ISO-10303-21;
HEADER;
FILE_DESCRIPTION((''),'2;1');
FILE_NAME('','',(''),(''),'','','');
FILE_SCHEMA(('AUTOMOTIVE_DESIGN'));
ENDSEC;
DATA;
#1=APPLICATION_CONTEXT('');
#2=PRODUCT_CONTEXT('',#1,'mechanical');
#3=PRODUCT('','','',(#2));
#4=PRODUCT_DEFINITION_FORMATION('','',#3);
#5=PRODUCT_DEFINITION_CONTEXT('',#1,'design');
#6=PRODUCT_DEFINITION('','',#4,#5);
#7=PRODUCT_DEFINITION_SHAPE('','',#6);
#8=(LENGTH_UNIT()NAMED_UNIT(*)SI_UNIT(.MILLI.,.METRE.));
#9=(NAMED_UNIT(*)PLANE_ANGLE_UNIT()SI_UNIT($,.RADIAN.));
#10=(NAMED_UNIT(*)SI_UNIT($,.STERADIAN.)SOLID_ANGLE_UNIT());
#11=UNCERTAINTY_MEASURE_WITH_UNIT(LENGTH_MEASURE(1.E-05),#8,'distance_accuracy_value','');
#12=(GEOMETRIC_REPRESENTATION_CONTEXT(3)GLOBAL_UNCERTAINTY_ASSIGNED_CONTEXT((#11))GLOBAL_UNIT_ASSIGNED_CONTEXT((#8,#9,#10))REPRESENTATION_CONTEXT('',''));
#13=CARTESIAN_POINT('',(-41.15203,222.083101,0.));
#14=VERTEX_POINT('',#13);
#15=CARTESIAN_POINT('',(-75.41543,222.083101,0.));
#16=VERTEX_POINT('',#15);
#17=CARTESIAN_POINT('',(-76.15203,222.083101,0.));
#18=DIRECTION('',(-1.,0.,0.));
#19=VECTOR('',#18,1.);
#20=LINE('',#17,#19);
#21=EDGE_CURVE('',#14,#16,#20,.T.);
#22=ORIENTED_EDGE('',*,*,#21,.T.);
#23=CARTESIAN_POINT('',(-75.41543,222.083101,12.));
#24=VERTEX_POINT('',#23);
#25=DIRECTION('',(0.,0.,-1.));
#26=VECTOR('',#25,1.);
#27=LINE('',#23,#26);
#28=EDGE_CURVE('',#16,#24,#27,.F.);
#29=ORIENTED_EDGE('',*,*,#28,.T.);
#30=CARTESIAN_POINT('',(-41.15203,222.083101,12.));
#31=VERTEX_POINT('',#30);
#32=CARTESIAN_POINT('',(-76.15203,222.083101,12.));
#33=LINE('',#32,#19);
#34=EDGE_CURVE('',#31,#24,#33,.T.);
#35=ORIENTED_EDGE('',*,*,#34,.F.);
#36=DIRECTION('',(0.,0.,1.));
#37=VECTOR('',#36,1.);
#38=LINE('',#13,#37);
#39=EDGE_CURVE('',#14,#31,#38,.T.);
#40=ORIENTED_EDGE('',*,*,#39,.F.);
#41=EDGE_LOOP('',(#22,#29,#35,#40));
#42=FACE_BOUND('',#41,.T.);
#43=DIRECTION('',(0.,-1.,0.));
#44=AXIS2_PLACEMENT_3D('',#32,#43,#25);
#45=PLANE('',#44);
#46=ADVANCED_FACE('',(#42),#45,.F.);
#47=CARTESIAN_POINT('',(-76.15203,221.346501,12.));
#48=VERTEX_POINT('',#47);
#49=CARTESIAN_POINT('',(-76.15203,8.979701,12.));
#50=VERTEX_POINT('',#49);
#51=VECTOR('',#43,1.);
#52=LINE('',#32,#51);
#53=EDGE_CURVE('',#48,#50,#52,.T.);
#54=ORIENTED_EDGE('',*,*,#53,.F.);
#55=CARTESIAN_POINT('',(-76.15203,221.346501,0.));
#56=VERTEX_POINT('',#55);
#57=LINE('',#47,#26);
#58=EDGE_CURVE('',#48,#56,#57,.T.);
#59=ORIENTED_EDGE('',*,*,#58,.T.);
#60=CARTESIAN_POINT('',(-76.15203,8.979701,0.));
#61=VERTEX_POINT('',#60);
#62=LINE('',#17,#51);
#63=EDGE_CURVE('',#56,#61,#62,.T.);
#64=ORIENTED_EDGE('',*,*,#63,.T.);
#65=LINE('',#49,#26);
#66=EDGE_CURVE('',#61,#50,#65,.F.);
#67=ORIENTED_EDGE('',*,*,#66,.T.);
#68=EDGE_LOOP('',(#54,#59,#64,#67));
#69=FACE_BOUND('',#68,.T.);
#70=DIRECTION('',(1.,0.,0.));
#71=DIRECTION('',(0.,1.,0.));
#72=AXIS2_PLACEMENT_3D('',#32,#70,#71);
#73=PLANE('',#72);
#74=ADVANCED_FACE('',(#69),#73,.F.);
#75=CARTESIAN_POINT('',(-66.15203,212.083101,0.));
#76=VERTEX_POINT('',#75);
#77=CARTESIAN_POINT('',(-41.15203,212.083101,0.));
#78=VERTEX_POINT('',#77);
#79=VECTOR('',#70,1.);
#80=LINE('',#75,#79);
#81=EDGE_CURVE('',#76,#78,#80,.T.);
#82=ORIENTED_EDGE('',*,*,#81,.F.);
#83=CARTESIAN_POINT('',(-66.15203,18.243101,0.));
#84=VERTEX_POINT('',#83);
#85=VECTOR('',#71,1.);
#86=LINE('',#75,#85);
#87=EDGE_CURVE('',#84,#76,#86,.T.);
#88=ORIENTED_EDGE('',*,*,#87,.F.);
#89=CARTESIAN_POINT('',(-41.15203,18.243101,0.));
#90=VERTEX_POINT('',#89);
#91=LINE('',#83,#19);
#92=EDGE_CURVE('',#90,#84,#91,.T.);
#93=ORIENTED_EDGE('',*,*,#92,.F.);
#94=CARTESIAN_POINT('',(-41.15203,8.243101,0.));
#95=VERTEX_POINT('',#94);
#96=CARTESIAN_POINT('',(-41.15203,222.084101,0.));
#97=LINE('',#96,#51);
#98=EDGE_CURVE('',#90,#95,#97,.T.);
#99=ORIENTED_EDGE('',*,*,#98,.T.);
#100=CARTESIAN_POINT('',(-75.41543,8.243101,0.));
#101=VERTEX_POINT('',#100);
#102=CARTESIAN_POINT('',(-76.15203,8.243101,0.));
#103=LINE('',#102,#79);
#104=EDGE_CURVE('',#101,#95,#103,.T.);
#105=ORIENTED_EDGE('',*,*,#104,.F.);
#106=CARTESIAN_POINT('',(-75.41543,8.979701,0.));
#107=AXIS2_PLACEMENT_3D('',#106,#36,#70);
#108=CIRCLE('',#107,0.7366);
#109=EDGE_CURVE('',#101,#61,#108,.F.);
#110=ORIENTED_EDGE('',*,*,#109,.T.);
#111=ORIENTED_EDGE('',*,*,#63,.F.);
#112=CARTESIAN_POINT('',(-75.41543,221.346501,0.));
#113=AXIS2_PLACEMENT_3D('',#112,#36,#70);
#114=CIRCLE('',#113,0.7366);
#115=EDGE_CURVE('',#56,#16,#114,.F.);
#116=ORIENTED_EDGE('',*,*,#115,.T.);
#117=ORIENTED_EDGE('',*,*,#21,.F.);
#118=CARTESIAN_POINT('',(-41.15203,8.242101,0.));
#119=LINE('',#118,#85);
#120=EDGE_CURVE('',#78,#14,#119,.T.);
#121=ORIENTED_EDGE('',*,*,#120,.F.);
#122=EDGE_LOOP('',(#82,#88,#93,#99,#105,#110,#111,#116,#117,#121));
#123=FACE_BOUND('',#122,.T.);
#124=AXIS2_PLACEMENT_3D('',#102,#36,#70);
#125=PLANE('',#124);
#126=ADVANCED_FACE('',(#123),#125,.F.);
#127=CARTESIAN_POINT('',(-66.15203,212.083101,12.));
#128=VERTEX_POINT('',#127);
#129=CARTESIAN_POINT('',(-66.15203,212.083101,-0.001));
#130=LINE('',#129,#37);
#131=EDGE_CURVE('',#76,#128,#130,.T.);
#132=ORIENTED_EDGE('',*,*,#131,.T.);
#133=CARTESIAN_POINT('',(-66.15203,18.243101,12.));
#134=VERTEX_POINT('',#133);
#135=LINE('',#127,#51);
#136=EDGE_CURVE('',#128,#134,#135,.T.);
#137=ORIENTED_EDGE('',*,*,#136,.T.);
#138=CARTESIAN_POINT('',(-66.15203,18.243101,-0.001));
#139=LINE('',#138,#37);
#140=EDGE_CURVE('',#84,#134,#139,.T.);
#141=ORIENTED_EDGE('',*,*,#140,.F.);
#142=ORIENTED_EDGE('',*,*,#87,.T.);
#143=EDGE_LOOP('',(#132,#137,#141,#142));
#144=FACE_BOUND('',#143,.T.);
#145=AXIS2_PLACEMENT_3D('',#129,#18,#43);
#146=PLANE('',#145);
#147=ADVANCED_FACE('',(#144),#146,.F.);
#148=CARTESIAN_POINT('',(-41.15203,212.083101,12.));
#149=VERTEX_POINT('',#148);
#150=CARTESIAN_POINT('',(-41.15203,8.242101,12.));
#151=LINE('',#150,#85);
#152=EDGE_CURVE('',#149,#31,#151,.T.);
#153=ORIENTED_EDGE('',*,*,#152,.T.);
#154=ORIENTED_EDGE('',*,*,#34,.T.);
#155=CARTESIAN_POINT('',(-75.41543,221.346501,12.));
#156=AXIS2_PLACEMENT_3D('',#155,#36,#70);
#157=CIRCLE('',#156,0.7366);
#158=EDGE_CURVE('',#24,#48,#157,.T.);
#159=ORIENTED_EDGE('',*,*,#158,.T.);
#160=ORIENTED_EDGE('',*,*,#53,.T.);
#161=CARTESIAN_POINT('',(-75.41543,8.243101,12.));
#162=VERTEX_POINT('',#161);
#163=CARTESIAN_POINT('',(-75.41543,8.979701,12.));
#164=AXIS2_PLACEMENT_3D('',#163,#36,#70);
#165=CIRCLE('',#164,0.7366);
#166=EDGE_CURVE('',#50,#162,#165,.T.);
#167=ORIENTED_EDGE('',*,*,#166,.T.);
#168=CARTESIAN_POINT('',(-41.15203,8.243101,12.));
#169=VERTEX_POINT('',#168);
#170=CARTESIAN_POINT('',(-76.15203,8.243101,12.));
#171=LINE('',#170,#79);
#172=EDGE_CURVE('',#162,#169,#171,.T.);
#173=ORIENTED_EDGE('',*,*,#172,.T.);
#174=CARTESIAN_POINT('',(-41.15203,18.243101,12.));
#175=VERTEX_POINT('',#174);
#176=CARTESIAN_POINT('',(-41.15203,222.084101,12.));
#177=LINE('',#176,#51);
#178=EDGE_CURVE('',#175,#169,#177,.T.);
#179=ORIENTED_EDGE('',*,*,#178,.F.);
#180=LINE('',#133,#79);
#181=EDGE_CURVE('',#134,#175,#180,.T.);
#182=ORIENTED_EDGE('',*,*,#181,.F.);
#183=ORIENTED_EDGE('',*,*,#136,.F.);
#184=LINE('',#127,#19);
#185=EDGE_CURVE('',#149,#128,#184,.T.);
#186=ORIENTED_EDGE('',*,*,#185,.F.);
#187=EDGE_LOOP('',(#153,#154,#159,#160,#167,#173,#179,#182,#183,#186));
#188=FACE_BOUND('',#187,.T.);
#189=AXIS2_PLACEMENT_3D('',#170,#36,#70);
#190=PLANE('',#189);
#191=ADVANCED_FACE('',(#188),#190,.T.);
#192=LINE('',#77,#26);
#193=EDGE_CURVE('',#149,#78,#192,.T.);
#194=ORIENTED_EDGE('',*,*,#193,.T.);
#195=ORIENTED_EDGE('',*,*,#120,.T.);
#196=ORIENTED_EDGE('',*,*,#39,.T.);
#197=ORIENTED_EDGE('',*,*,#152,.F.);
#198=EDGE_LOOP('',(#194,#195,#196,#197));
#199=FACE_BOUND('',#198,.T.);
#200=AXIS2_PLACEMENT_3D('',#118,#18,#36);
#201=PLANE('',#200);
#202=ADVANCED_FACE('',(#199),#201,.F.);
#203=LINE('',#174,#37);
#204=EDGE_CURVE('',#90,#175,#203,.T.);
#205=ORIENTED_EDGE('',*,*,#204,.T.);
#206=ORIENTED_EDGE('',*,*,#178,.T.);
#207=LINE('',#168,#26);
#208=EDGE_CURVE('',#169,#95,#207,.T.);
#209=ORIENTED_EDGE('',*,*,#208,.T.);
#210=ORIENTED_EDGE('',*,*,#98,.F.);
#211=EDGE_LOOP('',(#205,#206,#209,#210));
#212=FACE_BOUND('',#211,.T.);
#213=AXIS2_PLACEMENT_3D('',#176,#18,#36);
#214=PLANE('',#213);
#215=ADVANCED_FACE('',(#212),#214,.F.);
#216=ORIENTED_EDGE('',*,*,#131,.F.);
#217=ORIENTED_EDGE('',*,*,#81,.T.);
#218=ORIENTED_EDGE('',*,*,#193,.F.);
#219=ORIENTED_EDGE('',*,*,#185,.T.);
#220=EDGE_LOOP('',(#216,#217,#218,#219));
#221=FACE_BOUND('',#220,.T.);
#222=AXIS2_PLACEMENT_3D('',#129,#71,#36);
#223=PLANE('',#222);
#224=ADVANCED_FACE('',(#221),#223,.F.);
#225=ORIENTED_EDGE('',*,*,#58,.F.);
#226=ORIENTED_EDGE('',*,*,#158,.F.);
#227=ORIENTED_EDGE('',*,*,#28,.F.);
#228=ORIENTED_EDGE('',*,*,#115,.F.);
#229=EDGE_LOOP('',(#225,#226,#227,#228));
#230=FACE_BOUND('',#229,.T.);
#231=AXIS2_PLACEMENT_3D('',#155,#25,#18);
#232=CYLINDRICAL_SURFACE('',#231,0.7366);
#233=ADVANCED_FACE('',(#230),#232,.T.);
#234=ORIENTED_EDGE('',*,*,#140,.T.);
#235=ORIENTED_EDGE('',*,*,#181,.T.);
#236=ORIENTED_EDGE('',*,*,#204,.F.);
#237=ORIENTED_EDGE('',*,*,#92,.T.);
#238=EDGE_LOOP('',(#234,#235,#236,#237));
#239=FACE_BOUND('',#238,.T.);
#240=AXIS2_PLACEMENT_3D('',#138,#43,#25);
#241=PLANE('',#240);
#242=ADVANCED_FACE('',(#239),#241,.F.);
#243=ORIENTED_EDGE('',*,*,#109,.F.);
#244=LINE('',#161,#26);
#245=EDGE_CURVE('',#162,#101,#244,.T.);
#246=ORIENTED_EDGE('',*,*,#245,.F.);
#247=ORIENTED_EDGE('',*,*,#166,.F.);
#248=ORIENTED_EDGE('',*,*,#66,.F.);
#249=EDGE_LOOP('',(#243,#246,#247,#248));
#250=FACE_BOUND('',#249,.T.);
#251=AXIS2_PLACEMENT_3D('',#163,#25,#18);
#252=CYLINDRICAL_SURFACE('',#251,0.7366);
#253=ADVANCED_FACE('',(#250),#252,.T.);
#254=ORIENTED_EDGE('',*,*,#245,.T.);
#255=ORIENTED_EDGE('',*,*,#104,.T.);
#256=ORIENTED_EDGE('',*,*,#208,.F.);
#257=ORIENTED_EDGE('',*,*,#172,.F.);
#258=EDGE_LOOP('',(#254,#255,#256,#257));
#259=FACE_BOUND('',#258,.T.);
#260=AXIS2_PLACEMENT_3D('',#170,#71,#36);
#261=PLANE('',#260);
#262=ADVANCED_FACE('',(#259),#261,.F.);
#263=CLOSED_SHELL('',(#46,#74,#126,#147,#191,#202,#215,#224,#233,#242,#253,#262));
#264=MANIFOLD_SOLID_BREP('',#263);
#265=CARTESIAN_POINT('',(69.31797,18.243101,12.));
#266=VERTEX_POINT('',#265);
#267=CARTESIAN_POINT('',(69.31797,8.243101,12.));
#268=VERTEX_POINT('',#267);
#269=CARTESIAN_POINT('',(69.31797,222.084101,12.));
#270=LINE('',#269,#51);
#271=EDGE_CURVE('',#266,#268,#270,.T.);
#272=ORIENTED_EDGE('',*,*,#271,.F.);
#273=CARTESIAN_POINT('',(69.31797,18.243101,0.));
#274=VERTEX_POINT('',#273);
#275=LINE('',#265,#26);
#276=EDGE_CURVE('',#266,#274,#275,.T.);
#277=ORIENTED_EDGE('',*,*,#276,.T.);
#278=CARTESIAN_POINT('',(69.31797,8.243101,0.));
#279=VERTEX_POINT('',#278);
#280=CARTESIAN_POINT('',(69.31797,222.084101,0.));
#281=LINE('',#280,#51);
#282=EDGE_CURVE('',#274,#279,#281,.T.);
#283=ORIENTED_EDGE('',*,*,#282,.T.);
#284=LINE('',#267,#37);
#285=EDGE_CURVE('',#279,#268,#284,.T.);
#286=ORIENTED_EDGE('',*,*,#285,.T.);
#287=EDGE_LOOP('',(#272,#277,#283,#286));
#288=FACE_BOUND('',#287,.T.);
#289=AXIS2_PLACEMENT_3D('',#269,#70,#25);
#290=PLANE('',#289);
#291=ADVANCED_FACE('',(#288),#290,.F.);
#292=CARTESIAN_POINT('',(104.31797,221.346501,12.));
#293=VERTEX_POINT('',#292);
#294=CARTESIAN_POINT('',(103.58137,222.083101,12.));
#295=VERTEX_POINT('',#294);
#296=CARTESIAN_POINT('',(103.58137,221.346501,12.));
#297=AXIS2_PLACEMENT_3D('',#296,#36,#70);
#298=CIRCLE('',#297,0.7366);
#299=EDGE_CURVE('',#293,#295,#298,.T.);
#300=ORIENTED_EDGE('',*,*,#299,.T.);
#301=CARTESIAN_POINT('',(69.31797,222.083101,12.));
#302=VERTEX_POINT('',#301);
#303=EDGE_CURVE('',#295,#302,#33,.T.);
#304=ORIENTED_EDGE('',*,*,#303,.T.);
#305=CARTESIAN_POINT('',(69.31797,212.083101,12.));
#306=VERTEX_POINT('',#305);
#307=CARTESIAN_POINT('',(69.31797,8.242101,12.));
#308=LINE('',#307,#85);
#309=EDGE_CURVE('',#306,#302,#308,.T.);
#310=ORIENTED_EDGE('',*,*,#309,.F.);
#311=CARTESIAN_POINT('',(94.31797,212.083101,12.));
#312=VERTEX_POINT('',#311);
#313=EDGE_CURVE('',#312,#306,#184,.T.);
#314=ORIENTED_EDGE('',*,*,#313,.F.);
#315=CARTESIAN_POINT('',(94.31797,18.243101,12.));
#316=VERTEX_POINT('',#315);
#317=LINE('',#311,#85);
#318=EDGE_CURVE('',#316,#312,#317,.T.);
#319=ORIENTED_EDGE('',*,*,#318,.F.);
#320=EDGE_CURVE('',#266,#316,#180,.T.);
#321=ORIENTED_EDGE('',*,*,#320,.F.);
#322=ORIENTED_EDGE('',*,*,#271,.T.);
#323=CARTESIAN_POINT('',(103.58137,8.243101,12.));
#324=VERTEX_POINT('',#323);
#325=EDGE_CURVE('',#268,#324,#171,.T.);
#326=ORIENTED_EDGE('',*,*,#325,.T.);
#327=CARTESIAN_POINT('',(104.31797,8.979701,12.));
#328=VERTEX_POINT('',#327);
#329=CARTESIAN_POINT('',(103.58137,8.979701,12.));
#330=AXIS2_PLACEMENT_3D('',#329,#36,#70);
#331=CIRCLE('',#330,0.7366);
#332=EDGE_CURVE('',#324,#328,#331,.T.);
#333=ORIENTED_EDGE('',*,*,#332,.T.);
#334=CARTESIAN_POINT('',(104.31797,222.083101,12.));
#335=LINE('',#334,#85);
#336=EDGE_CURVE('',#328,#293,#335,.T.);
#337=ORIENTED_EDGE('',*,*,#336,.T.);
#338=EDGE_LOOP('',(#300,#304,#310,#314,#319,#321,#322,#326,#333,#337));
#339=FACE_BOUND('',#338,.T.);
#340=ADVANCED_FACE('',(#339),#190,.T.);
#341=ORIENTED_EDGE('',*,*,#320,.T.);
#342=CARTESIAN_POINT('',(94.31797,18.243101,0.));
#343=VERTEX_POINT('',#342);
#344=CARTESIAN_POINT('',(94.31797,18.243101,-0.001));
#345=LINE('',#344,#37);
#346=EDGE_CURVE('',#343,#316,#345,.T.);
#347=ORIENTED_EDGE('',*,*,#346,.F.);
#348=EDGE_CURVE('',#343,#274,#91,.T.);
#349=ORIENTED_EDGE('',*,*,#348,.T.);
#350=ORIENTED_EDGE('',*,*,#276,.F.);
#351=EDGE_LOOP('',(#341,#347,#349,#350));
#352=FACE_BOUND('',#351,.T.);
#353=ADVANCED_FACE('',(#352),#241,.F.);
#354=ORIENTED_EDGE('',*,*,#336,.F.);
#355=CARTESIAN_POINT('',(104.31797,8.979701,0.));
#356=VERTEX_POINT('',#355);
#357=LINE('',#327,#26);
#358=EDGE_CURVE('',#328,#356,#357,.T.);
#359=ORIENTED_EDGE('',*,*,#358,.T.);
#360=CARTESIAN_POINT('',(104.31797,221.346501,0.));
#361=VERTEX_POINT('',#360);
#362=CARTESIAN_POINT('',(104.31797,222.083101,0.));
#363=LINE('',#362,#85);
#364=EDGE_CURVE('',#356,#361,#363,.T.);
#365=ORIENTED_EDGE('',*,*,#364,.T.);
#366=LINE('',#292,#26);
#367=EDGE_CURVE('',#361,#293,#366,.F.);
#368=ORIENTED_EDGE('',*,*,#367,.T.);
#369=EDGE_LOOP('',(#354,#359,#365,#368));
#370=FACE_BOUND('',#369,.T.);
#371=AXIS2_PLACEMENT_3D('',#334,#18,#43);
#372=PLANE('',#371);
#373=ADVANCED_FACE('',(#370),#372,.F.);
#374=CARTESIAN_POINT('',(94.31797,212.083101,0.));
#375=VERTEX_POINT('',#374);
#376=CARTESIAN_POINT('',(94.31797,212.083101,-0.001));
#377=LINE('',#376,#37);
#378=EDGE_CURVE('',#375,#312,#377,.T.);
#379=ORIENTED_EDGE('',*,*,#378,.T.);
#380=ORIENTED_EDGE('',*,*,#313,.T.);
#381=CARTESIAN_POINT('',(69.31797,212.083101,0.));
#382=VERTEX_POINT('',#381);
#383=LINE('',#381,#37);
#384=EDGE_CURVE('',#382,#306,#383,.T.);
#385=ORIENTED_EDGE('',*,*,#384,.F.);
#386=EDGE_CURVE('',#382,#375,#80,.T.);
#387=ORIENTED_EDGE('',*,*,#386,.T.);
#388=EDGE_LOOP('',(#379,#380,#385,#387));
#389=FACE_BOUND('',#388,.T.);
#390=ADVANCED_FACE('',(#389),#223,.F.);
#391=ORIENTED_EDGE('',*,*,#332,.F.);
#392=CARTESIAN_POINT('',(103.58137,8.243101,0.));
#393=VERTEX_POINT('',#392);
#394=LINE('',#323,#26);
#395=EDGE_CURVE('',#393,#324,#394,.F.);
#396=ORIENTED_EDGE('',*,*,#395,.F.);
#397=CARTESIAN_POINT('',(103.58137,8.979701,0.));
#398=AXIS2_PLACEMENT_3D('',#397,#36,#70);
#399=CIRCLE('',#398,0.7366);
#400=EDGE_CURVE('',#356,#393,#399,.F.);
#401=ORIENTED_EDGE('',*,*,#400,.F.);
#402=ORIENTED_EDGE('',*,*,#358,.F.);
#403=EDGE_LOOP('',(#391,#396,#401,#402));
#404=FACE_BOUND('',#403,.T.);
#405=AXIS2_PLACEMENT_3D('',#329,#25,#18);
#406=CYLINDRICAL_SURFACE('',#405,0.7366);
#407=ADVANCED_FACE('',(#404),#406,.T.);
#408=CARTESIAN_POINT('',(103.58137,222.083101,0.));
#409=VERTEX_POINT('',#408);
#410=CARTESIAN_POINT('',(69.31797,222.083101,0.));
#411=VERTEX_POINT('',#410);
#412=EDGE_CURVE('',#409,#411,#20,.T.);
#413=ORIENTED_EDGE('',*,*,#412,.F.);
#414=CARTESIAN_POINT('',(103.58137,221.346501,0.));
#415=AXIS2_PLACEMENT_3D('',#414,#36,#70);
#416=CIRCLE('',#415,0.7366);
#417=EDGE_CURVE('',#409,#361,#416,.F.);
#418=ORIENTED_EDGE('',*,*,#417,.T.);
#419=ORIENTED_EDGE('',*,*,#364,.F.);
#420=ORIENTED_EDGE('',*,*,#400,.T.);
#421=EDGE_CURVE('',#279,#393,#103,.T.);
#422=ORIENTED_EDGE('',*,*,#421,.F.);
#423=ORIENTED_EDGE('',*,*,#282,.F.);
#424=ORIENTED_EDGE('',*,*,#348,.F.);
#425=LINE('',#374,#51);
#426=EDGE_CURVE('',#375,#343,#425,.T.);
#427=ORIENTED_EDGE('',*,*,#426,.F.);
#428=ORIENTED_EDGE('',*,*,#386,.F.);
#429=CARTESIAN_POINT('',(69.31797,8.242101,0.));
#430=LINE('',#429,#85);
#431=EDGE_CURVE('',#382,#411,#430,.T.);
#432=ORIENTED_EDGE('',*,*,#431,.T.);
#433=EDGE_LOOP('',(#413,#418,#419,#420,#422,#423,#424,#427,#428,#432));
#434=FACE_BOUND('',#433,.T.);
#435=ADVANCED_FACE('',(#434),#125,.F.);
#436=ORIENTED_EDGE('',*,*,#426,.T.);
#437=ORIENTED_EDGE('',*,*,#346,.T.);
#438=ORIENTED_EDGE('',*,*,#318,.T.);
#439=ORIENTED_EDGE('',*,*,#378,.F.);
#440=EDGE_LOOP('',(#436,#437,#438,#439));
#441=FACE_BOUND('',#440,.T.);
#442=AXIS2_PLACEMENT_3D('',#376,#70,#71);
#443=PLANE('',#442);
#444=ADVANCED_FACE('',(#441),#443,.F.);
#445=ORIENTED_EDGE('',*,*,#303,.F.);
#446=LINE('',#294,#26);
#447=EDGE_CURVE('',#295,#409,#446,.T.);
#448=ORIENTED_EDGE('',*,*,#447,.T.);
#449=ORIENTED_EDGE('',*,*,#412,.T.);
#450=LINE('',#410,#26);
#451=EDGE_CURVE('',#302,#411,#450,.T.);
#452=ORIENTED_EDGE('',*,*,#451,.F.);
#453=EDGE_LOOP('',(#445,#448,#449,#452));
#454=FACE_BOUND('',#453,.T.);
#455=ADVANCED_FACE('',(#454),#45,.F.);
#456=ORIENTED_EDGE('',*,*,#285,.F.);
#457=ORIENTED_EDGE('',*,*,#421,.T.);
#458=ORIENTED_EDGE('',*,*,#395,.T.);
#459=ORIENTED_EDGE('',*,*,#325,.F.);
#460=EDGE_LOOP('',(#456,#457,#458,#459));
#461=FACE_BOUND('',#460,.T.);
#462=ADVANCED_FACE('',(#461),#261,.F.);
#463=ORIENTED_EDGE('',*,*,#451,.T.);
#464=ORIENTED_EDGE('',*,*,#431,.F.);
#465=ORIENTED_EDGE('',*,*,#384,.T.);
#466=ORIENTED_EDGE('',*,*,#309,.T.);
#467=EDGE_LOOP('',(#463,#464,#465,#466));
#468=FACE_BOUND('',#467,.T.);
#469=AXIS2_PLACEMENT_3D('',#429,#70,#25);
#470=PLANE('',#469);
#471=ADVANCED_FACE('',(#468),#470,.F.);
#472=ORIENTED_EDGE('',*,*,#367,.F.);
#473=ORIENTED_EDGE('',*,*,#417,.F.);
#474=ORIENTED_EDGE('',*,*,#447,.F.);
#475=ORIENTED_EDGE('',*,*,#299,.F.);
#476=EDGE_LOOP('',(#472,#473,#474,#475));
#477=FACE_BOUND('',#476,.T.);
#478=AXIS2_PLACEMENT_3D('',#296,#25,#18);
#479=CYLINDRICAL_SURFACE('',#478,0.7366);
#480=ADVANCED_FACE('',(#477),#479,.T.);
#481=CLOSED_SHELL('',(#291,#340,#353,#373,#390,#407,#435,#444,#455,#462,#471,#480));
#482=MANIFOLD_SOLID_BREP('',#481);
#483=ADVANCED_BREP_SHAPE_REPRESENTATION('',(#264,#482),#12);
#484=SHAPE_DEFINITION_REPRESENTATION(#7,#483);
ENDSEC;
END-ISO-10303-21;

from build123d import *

# Parameters (mm, degrees)
ESBO_O1_W                = 180.47
ESBO_O1_H                = 213.84
RESSALTO_EXTRUS_O1_DEPTH = 12
FILETE2_R                = 0.7366
FILETE3_R                = 0.7366
FILETE4_R                = 0.7366
FILETE5_R                = 0.7366
CORTE_EXTRUS_O1_REACH    = 247.657
ESBO_O2_W                = 160.47
ESBO_O2_H                = 193.84
CORTE_EXTRUS_O2_REACH    = 240.231
ESBO_O5_W                = 110.47
ESBO_O5_H                = 12
CORTE_EXTRUS_O3_REACH    = 240.231
ESBO_O6_W                = 110.47
ESBO_O6_H                = 12


with BuildPart() as part:
    # Esboço1 → Ressalto-extrusão1 (new body)
    with BuildSketch(Plane.XY):
        with Locations((14.08297041, 115.163100963)):
            Rectangle(ESBO_O1_W, ESBO_O1_H)
    extrude(amount=RESSALTO_EXTRUS_O1_DEPTH)

    # Filete2
    filete2_edges = [part.edges().sort_by_distance(p)[0] for p in [
        (104.31797041, 222.083100963, 6),
    ]]
    fillet(filete2_edges, radius=FILETE2_R)

    # Filete3
    filete3_edges = [part.edges().sort_by_distance(p)[0] for p in [
        (104.31797041, 8.243100963, 6),
    ]]
    fillet(filete3_edges, radius=FILETE3_R)

    # Filete4
    filete4_edges = [part.edges().sort_by_distance(p)[0] for p in [
        (-76.15202959, 8.243100963, 6),
    ]]
    fillet(filete4_edges, radius=FILETE4_R)

    # Filete5
    filete5_edges = [part.edges().sort_by_distance(p)[0] for p in [
        (-76.15202959, 222.083100963, 6),
    ]]
    fillet(filete5_edges, radius=FILETE5_R)

    # Esboço2 → Corte-extrusão1 (cut, up to next)
    with BuildSketch(Plane.XY.offset(12), mode=Mode.PRIVATE) as corte_extrus_o1_sk1:
        with Locations((14.08297041, 115.163100963)):
            Rectangle(ESBO_O2_W, ESBO_O2_H)
    corte_extrus_o1_tool1 = extrude(corte_extrus_o1_sk1.sketch, amount=-CORTE_EXTRUS_O1_REACH, mode=Mode.PRIVATE) & part.part
    add(corte_extrus_o1_tool1.solids().sort_by_distance((14.08297, 115.163101, 12))[0], mode=Mode.SUBTRACT)

    # Esboço5 → Corte-extrusão2 (cut, up to next)
    with BuildSketch(Plane(origin=(0, 222.083100963, 0), x_dir=(-1, 0, 0), z_dir=(0, 1, 0)), mode=Mode.PRIVATE) as corte_extrus_o2_sk1:
        with Locations((-14.08297041, 6)):
            Rectangle(ESBO_O5_W, ESBO_O5_H)
    corte_extrus_o2_tool1 = extrude(corte_extrus_o2_sk1.sketch, amount=-CORTE_EXTRUS_O2_REACH, mode=Mode.PRIVATE) & part.part
    add(corte_extrus_o2_tool1.solids().sort_by_distance((14.08297, 222.083101, 6))[0], mode=Mode.SUBTRACT)

    # Esboço6 → Corte-extrusão3 (cut, up to next)
    with BuildSketch(Plane.XZ.offset(-8.243100963), mode=Mode.PRIVATE) as corte_extrus_o3_sk1:
        with Locations((14.08297041, 6)):
            Rectangle(ESBO_O6_W, ESBO_O6_H)
    corte_extrus_o3_tool1 = extrude(corte_extrus_o3_sk1.sketch, amount=-CORTE_EXTRUS_O3_REACH, mode=Mode.PRIVATE) & part.part
    add(corte_extrus_o3_tool1.solids().sort_by_distance((14.08297, 8.243101, 6))[0], mode=Mode.SUBTRACT)


with BuildPart() as corte_extrus_o3_piece_1:
    # of the separate pieces the step leaves, piece 1, a body of its own (corte_extrus_o3_pieces)
    add(part.part.solids().sort_by_distance((-76.15202959, 221.346500963, 0))[0])


with BuildPart() as corte_extrus_o3_piece_2:
    # of the separate pieces the step leaves, piece 2, a body of its own (corte_extrus_o3_pieces)
    add(part.part.solids().sort_by_distance((103.58137041, 8.243100963, 0))[0])


solid = Compound([corte_extrus_o3_piece_1.part, corte_extrus_o3_piece_2.part])
